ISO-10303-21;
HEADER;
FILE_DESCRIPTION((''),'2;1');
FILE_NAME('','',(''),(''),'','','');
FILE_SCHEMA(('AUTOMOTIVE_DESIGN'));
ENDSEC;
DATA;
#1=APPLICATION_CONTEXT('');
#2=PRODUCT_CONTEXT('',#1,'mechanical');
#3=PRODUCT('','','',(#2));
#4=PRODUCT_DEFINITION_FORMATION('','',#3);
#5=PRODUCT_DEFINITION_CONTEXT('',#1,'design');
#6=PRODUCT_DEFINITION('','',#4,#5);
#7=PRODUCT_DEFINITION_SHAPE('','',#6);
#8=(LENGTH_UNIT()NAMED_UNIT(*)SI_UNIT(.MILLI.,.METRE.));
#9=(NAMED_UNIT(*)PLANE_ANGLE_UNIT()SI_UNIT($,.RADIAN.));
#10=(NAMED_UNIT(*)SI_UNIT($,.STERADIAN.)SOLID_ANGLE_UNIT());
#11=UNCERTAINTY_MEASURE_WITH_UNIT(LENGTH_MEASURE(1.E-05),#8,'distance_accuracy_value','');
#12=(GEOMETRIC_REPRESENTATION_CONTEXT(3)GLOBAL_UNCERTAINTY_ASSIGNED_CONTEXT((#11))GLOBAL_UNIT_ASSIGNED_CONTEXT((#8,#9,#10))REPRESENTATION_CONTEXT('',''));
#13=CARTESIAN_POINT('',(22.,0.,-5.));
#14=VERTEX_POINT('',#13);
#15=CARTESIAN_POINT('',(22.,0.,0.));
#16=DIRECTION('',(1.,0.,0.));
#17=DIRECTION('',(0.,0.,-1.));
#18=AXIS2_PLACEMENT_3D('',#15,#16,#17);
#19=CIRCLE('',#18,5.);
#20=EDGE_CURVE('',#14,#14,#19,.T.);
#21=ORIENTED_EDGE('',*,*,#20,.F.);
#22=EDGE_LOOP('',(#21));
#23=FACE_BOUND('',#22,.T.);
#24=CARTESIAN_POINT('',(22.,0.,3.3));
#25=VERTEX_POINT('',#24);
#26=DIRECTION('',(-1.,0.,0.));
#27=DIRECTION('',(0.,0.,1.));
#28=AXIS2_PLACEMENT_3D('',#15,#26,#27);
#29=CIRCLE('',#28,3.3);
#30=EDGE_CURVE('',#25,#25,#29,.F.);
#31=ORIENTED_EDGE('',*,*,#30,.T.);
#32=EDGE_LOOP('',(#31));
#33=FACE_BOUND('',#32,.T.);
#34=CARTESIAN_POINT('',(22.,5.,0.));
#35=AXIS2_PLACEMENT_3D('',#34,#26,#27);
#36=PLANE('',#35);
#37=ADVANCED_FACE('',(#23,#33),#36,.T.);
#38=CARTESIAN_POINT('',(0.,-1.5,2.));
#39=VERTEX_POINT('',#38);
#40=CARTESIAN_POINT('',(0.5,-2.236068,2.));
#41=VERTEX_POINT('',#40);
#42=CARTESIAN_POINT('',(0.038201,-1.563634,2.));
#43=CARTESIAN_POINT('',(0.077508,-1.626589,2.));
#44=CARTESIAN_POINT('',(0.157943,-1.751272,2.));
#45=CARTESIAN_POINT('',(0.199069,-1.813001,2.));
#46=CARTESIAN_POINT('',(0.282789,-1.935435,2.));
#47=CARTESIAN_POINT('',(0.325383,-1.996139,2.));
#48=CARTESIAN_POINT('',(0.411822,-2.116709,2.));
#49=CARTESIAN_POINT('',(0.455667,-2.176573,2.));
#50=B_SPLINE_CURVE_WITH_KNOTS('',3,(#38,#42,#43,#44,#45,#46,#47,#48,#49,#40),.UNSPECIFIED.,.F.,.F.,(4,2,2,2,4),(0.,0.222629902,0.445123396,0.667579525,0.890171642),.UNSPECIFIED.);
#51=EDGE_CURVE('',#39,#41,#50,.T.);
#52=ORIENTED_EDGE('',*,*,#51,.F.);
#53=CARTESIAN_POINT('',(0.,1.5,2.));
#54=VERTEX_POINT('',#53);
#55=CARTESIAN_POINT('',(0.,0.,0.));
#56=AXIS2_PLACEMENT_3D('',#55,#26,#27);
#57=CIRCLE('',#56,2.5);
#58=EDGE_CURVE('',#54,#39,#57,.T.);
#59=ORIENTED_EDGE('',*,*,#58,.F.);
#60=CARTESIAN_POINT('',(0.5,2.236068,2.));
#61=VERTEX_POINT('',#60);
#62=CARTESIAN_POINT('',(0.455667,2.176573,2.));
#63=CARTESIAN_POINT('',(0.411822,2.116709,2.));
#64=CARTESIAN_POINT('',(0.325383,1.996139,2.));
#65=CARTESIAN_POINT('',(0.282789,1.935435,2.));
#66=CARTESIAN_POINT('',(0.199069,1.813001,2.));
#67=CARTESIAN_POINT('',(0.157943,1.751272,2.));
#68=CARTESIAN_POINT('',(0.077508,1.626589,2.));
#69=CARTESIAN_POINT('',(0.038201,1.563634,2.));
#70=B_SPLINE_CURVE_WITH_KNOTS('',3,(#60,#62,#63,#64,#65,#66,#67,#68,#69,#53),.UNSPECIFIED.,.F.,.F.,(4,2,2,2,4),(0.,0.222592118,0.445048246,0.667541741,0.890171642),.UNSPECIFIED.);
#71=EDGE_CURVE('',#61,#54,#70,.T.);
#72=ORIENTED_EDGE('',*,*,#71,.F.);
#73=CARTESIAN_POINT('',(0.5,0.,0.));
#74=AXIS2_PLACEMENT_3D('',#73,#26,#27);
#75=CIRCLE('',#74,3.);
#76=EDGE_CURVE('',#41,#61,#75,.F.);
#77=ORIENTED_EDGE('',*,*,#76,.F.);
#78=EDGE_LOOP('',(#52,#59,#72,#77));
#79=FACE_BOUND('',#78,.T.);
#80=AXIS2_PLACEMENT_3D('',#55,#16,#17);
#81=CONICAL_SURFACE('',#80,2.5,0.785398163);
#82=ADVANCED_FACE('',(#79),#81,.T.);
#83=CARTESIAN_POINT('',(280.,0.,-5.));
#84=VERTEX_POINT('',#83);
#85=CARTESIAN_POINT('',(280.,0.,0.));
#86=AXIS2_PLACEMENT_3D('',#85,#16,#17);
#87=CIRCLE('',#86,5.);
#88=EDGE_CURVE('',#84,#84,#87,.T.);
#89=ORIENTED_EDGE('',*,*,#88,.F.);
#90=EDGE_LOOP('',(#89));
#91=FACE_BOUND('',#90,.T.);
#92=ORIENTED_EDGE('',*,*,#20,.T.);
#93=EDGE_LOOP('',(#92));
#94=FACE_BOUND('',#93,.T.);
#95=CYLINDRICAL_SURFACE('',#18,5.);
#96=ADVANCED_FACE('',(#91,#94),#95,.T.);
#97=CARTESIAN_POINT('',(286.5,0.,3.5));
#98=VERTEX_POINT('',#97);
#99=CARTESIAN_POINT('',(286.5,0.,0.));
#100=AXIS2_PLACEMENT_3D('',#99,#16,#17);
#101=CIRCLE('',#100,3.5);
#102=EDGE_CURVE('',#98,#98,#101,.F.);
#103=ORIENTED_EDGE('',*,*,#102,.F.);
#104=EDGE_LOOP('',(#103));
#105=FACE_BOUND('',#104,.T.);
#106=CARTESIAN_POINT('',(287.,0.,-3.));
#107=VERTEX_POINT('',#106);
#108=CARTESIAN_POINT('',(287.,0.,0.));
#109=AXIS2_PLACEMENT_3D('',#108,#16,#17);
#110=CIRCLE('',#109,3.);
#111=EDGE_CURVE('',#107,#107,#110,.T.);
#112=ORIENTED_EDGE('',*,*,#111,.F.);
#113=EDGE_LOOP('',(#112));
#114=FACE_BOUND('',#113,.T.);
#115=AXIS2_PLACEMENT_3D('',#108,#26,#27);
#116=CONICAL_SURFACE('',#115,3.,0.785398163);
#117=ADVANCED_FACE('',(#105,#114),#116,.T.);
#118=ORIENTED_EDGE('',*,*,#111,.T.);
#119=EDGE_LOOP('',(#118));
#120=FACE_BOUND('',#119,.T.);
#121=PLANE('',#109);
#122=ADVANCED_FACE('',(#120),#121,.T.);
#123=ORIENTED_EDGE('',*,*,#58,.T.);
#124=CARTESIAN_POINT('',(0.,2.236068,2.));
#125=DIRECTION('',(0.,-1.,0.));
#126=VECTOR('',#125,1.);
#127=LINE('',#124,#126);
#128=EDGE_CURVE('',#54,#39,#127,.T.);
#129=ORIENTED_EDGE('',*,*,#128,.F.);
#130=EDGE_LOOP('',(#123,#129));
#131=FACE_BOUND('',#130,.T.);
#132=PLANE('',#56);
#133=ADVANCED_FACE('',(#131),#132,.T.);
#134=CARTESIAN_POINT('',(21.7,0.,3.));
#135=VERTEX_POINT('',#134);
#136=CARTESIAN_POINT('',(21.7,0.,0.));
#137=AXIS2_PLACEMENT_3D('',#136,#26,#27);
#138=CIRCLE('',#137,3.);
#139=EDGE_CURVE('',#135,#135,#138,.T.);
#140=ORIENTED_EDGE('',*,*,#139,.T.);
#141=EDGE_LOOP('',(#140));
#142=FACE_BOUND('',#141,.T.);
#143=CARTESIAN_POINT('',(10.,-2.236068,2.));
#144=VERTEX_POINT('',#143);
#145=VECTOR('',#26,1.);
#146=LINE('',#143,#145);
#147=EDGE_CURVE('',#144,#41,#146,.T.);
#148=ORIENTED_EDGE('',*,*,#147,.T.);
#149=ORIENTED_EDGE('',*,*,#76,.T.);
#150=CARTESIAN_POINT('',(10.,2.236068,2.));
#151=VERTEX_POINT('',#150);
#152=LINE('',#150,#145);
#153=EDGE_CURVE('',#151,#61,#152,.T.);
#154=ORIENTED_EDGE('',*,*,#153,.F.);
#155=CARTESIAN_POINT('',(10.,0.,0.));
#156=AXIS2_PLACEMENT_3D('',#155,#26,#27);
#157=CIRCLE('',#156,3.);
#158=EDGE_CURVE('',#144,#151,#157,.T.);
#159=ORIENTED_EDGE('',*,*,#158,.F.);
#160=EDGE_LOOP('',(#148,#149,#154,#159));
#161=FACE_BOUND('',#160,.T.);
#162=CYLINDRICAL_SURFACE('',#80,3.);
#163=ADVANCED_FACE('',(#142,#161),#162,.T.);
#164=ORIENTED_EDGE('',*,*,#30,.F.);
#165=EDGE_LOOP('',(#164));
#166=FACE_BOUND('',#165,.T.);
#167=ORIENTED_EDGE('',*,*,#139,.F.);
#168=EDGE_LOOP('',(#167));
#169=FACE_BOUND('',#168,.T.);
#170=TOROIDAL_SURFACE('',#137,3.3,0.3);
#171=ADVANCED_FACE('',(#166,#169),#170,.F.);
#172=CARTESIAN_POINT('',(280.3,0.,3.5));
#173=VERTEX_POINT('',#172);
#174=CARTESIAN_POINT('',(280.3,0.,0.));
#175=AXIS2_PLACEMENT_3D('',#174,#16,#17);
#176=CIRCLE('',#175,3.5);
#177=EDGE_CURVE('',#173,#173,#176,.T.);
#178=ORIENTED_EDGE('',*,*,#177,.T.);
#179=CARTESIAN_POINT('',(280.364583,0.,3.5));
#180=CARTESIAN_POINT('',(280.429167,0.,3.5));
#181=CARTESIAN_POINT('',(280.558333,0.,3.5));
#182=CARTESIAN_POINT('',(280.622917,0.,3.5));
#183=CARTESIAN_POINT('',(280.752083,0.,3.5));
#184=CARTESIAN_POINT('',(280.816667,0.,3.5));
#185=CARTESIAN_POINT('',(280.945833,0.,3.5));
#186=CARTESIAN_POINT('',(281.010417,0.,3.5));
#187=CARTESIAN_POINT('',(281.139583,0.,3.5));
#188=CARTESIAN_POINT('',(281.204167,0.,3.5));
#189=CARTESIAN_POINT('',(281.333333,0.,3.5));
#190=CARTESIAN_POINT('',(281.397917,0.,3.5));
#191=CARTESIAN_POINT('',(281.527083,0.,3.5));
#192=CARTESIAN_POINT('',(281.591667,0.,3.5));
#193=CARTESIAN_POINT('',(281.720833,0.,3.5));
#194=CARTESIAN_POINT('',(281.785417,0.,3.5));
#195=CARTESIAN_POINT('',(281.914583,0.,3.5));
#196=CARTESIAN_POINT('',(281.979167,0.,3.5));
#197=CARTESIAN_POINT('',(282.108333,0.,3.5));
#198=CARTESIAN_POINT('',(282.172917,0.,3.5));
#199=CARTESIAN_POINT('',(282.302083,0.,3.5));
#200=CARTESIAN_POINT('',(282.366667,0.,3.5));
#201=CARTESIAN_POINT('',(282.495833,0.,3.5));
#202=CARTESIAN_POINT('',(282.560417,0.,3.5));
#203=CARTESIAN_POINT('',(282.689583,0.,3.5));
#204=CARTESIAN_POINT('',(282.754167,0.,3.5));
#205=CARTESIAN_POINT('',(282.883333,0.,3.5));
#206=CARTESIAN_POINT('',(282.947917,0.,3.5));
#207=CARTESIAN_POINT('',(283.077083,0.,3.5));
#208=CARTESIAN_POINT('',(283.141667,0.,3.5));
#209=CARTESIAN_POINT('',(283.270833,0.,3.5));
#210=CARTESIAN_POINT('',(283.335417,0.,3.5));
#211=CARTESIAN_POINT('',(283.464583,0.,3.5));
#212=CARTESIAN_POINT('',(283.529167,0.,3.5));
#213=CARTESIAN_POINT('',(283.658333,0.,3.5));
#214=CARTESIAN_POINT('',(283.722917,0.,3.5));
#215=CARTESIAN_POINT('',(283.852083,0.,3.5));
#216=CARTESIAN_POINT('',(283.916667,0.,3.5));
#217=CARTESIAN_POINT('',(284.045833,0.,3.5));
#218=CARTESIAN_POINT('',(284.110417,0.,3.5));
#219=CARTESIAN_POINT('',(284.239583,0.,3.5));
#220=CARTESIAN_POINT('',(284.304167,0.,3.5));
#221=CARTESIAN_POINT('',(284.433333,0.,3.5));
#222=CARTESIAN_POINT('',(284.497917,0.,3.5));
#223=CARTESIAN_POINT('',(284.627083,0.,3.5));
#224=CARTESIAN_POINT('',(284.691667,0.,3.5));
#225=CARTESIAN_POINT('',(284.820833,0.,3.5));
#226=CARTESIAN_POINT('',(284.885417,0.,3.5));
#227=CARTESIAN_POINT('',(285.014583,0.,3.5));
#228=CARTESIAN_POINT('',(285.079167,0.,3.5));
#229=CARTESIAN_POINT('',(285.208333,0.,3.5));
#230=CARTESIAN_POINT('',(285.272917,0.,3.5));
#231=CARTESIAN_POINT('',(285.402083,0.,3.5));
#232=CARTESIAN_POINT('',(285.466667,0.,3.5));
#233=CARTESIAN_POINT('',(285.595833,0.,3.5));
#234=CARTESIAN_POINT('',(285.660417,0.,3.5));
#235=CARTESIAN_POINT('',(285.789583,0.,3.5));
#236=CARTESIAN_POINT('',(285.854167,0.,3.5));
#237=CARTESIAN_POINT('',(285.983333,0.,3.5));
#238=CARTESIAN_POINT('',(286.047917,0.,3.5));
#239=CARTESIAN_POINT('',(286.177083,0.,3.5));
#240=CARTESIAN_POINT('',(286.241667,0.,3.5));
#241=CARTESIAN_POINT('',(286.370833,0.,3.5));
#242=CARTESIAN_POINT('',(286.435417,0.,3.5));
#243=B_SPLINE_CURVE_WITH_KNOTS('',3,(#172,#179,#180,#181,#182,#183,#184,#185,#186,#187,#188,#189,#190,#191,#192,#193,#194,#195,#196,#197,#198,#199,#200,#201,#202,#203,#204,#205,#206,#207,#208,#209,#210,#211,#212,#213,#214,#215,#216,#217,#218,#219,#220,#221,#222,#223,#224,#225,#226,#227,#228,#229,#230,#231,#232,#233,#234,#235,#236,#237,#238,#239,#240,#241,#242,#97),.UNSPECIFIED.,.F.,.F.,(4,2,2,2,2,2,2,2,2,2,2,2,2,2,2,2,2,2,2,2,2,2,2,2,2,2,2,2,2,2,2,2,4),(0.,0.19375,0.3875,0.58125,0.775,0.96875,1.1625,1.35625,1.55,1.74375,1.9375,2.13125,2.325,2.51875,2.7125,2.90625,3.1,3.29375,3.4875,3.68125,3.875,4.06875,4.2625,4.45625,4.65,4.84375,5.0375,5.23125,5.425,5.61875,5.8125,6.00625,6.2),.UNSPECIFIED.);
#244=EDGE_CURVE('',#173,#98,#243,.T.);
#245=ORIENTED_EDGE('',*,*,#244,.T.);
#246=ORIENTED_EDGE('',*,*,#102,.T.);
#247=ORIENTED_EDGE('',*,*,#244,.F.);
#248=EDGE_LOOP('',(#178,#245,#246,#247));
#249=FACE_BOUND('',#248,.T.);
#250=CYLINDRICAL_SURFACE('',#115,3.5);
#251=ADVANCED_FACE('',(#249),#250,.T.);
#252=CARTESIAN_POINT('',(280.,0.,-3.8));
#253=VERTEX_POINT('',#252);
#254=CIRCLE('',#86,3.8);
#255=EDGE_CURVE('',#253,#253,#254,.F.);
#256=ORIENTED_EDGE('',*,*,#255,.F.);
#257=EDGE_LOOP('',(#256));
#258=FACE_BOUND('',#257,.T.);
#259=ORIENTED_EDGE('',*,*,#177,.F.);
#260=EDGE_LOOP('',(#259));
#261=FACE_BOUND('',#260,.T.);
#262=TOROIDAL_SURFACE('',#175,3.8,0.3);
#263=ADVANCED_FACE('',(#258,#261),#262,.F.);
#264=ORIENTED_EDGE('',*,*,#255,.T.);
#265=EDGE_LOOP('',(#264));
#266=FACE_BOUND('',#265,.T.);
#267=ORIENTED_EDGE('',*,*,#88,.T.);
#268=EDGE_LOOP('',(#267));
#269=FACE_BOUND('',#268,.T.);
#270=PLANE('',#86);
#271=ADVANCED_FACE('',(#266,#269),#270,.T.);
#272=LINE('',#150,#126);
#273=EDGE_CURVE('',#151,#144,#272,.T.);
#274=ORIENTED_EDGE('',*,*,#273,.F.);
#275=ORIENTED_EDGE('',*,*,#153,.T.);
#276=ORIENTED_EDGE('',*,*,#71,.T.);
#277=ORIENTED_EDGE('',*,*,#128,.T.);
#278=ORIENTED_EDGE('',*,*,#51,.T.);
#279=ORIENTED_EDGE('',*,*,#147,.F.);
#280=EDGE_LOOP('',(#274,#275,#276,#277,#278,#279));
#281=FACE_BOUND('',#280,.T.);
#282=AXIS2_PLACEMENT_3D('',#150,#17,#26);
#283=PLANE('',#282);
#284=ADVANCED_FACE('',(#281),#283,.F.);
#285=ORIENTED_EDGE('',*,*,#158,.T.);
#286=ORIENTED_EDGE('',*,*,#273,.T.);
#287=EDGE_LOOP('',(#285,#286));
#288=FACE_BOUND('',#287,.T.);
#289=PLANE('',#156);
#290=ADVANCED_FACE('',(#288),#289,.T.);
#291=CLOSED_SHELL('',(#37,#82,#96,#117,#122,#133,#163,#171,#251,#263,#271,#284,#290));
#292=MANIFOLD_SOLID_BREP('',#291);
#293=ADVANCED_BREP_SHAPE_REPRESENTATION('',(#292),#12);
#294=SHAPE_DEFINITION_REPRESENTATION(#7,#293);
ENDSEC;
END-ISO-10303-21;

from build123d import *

# Parameters (mm, degrees)
SKETCH1_W           = 258
SKETCH1_H           = 5
SKETCH2_R           = 3
BOSS_EXTRUDE1_DEPTH = 22
CUT_EXTRUDE1_START  = -10
CUT_EXTRUDE1_DEPTH  = 10
SKETCH4_R           = 3.5
BOSS_EXTRUDE2_DEPTH = 7
CHAMFER1_SIZE       = 0.5
FILLET1_R           = 0.3


with BuildPart() as part:
    # Sketch1 → Revolve1 (revolve)
    with BuildSketch(Plane.XY, mode=Mode.PRIVATE) as revolve1_sk:
        with Locations((151, 2.5)):
            Rectangle(SKETCH1_W, SKETCH1_H)
    revolve(revolve1_sk.sketch.rotate(Axis((22, 0, 0), (1, 0, 0)), 270), axis=Axis((22, 0, 0), (1, 0, 0)))

    # Sketch2 → Boss-Extrude1 (add)
    with BuildSketch(Plane.ZY.offset(-22)):
        Circle(SKETCH2_R)
    extrude(amount=BOSS_EXTRUDE1_DEPTH)

    # Sketch3 → Cut-Extrude1 (cut)
    with BuildSketch(Plane.ZY.offset(CUT_EXTRUDE1_START)):
        with BuildLine():
            Line((2, 2.236067977), (2, -2.236067977))
            ThreePointArc((2, -2.236067977), (3, 0), (2, 2.236067977))
        make_face()
    extrude(amount=CUT_EXTRUDE1_DEPTH, mode=Mode.SUBTRACT)

    # Sketch4 → Boss-Extrude2 (add)
    with BuildSketch(Plane(origin=(280, 0, 0), x_dir=(0, 0, -1), z_dir=(1, 0, 0))):
        with Locations(Location((0, 0, 0), (0, 0, 180))):
            Circle(SKETCH4_R)
    extrude(amount=BOSS_EXTRUDE2_DEPTH)

    # Chamfer1
    chamfer1_edges = [part.edges().sort_by_distance(p)[0] for p in [
        (287, 0, -3.5),
        (0, 0, -3),
    ]]
    chamfer(chamfer1_edges, length=CHAMFER1_SIZE)

    # Fillet1
    fillet1_edges = [part.edges().sort_by_distance(p)[0] for p in [
        (280, 0, -3.5),
        (22, 0, -3),
    ]]
    fillet(fillet1_edges, radius=FILLET1_R)


solid = part.part
